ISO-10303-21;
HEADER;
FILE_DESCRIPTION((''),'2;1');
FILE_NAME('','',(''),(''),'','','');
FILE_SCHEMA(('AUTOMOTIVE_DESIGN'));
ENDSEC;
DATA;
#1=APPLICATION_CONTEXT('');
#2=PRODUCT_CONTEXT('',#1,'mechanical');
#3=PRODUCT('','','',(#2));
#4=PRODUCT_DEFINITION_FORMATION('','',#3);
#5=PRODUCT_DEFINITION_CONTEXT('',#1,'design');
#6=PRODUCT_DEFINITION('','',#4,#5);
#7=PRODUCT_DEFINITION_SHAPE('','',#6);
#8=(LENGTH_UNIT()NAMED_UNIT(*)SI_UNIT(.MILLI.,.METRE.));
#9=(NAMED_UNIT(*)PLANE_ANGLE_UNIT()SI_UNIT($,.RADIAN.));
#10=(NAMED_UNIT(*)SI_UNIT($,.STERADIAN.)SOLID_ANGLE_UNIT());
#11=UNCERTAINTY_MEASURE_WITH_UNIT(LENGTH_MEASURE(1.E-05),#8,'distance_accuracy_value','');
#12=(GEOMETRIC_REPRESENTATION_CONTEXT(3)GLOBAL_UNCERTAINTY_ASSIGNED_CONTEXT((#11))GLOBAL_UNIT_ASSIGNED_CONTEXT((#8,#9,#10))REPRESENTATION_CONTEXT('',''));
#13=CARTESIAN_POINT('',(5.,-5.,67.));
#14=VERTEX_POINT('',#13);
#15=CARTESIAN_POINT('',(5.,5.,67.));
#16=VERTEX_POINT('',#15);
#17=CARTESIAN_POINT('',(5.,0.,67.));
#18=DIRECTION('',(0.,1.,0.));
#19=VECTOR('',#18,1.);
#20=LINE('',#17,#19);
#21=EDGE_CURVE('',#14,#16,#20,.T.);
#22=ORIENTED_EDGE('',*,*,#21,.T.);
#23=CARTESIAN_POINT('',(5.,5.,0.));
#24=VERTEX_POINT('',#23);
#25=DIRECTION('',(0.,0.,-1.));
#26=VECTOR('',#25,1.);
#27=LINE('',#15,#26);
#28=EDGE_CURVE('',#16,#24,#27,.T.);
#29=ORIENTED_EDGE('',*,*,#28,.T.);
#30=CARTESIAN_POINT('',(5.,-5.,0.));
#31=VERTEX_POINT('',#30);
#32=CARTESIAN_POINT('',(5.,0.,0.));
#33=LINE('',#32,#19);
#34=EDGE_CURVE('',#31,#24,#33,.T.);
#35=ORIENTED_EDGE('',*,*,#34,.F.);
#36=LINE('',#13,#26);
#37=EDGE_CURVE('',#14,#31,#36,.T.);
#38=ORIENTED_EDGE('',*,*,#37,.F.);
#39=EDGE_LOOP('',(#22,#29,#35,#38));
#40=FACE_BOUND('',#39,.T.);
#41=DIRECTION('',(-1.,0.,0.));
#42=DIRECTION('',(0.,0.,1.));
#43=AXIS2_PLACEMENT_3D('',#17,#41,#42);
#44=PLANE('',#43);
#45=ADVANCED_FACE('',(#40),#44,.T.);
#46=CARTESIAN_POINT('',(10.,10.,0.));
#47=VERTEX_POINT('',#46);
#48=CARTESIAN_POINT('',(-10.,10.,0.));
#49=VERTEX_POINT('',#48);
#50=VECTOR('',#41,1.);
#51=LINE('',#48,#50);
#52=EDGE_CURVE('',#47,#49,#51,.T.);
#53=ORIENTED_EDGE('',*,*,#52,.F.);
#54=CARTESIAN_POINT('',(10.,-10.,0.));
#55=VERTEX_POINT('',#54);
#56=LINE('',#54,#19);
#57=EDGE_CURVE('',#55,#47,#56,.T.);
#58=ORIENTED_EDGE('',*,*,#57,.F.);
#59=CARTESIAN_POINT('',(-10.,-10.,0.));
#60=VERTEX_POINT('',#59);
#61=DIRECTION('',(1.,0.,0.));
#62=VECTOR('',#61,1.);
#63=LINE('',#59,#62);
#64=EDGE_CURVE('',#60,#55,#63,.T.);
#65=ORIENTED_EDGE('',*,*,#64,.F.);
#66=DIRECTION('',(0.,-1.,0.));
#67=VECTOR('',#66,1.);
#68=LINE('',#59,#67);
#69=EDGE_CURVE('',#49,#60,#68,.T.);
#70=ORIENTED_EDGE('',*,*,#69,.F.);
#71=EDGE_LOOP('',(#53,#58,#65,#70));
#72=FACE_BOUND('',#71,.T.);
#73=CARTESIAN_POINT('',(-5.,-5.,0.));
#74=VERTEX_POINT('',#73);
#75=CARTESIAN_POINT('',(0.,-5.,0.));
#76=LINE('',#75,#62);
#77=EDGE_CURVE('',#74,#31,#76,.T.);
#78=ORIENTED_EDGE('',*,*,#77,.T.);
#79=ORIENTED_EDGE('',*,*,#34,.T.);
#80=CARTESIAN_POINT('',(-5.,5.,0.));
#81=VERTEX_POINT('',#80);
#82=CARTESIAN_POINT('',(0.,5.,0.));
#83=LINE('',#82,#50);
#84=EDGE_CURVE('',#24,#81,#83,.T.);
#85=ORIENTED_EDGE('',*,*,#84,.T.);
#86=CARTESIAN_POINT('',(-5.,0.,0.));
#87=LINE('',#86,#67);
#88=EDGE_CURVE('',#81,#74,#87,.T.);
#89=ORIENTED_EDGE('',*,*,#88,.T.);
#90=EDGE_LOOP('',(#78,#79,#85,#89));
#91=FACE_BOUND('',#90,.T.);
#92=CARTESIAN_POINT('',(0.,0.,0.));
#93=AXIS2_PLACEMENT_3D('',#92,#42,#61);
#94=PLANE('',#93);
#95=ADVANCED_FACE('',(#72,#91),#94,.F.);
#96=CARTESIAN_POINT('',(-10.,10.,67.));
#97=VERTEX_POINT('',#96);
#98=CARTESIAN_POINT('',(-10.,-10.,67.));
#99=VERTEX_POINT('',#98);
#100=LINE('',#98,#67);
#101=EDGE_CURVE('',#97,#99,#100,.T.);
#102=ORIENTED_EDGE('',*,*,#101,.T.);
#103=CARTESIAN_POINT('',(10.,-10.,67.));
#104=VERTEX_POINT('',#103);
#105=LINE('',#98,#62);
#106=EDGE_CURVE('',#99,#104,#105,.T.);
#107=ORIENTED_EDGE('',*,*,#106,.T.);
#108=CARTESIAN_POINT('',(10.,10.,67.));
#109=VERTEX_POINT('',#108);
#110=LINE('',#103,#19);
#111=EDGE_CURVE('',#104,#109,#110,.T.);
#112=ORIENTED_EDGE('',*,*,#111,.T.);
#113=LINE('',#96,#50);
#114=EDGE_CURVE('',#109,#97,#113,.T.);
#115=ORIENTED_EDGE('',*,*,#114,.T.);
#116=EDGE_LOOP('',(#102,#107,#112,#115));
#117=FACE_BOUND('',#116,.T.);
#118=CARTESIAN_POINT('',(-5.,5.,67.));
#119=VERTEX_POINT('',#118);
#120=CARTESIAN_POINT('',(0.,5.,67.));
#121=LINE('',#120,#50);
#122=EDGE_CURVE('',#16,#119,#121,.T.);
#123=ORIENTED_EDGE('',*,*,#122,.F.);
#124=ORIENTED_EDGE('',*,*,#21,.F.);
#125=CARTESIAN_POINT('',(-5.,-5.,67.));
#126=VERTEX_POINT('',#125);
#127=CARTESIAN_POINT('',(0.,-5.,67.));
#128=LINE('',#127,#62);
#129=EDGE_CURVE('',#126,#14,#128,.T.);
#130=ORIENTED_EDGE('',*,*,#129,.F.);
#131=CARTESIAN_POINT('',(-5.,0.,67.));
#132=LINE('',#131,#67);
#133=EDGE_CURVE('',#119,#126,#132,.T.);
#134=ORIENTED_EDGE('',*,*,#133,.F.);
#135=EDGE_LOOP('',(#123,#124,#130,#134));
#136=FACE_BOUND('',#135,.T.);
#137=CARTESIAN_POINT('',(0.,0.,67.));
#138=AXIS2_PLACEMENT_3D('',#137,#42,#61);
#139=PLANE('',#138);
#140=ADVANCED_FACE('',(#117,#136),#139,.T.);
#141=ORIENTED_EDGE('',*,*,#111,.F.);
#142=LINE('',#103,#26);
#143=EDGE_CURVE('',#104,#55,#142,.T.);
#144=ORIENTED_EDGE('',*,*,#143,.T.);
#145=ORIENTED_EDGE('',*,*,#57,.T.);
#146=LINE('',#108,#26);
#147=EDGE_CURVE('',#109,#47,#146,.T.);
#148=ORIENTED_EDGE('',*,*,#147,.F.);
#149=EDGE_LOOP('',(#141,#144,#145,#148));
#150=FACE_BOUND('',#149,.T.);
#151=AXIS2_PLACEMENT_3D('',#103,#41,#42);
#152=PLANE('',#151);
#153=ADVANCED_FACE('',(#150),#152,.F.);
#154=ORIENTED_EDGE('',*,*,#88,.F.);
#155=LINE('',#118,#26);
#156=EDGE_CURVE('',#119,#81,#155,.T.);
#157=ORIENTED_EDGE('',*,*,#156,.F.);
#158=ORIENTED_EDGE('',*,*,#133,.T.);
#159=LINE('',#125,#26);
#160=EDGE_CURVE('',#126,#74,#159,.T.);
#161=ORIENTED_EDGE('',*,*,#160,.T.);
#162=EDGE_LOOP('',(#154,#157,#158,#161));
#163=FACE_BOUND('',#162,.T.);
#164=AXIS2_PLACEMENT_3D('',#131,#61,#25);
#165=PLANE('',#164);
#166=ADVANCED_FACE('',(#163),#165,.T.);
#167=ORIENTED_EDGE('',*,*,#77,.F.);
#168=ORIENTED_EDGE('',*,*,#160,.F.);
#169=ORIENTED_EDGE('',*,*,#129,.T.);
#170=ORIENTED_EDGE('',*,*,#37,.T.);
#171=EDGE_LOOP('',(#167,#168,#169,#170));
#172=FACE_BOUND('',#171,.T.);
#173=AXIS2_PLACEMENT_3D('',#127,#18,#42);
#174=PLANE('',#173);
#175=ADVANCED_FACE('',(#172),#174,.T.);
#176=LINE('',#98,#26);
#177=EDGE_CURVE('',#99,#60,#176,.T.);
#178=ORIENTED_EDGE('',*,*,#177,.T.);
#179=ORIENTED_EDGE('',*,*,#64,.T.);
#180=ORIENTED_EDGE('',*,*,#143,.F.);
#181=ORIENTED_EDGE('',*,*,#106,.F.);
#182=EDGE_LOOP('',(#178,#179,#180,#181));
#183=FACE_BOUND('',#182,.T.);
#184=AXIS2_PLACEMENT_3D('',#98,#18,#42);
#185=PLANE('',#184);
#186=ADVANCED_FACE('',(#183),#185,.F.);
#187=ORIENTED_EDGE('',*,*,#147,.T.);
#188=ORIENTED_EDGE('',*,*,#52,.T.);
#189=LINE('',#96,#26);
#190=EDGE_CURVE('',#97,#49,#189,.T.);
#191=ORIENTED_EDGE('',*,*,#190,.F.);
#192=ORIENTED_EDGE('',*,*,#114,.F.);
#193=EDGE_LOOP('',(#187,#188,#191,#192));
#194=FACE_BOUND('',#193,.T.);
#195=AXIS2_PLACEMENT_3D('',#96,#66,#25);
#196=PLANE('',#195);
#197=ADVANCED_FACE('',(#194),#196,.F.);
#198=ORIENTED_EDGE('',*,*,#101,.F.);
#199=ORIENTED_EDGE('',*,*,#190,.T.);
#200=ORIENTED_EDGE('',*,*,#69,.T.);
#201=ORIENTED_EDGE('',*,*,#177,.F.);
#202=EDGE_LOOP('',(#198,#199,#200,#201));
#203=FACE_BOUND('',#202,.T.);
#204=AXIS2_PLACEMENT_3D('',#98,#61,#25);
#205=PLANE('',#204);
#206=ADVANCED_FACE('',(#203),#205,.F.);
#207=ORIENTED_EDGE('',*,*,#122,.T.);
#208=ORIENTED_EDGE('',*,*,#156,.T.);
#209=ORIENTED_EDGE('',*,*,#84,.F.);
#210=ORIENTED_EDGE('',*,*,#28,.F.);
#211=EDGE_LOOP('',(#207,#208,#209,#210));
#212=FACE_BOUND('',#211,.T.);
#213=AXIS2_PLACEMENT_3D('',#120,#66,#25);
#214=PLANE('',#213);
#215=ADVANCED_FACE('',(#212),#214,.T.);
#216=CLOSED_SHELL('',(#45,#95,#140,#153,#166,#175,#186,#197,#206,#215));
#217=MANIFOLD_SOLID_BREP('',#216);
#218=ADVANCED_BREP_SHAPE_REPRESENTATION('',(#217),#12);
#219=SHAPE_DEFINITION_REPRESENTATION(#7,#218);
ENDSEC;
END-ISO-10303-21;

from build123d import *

# Parameters (mm, degrees)
SKETCH1_W           = 20
SKETCH1_H           = 20
SKETCH1_W_2         = 10
SKETCH1_H_2         = 10
EXTRUDE_THIN1_DEPTH = 67


with BuildPart() as part:
    # Sketch1 → Extrude-Thin1 (new body)
    with BuildSketch(Plane.XY):
        Rectangle(SKETCH1_W, SKETCH1_H)
        Rectangle(SKETCH1_W_2, SKETCH1_H_2, mode=Mode.SUBTRACT)
    extrude(amount=EXTRUDE_THIN1_DEPTH)


solid = part.part
